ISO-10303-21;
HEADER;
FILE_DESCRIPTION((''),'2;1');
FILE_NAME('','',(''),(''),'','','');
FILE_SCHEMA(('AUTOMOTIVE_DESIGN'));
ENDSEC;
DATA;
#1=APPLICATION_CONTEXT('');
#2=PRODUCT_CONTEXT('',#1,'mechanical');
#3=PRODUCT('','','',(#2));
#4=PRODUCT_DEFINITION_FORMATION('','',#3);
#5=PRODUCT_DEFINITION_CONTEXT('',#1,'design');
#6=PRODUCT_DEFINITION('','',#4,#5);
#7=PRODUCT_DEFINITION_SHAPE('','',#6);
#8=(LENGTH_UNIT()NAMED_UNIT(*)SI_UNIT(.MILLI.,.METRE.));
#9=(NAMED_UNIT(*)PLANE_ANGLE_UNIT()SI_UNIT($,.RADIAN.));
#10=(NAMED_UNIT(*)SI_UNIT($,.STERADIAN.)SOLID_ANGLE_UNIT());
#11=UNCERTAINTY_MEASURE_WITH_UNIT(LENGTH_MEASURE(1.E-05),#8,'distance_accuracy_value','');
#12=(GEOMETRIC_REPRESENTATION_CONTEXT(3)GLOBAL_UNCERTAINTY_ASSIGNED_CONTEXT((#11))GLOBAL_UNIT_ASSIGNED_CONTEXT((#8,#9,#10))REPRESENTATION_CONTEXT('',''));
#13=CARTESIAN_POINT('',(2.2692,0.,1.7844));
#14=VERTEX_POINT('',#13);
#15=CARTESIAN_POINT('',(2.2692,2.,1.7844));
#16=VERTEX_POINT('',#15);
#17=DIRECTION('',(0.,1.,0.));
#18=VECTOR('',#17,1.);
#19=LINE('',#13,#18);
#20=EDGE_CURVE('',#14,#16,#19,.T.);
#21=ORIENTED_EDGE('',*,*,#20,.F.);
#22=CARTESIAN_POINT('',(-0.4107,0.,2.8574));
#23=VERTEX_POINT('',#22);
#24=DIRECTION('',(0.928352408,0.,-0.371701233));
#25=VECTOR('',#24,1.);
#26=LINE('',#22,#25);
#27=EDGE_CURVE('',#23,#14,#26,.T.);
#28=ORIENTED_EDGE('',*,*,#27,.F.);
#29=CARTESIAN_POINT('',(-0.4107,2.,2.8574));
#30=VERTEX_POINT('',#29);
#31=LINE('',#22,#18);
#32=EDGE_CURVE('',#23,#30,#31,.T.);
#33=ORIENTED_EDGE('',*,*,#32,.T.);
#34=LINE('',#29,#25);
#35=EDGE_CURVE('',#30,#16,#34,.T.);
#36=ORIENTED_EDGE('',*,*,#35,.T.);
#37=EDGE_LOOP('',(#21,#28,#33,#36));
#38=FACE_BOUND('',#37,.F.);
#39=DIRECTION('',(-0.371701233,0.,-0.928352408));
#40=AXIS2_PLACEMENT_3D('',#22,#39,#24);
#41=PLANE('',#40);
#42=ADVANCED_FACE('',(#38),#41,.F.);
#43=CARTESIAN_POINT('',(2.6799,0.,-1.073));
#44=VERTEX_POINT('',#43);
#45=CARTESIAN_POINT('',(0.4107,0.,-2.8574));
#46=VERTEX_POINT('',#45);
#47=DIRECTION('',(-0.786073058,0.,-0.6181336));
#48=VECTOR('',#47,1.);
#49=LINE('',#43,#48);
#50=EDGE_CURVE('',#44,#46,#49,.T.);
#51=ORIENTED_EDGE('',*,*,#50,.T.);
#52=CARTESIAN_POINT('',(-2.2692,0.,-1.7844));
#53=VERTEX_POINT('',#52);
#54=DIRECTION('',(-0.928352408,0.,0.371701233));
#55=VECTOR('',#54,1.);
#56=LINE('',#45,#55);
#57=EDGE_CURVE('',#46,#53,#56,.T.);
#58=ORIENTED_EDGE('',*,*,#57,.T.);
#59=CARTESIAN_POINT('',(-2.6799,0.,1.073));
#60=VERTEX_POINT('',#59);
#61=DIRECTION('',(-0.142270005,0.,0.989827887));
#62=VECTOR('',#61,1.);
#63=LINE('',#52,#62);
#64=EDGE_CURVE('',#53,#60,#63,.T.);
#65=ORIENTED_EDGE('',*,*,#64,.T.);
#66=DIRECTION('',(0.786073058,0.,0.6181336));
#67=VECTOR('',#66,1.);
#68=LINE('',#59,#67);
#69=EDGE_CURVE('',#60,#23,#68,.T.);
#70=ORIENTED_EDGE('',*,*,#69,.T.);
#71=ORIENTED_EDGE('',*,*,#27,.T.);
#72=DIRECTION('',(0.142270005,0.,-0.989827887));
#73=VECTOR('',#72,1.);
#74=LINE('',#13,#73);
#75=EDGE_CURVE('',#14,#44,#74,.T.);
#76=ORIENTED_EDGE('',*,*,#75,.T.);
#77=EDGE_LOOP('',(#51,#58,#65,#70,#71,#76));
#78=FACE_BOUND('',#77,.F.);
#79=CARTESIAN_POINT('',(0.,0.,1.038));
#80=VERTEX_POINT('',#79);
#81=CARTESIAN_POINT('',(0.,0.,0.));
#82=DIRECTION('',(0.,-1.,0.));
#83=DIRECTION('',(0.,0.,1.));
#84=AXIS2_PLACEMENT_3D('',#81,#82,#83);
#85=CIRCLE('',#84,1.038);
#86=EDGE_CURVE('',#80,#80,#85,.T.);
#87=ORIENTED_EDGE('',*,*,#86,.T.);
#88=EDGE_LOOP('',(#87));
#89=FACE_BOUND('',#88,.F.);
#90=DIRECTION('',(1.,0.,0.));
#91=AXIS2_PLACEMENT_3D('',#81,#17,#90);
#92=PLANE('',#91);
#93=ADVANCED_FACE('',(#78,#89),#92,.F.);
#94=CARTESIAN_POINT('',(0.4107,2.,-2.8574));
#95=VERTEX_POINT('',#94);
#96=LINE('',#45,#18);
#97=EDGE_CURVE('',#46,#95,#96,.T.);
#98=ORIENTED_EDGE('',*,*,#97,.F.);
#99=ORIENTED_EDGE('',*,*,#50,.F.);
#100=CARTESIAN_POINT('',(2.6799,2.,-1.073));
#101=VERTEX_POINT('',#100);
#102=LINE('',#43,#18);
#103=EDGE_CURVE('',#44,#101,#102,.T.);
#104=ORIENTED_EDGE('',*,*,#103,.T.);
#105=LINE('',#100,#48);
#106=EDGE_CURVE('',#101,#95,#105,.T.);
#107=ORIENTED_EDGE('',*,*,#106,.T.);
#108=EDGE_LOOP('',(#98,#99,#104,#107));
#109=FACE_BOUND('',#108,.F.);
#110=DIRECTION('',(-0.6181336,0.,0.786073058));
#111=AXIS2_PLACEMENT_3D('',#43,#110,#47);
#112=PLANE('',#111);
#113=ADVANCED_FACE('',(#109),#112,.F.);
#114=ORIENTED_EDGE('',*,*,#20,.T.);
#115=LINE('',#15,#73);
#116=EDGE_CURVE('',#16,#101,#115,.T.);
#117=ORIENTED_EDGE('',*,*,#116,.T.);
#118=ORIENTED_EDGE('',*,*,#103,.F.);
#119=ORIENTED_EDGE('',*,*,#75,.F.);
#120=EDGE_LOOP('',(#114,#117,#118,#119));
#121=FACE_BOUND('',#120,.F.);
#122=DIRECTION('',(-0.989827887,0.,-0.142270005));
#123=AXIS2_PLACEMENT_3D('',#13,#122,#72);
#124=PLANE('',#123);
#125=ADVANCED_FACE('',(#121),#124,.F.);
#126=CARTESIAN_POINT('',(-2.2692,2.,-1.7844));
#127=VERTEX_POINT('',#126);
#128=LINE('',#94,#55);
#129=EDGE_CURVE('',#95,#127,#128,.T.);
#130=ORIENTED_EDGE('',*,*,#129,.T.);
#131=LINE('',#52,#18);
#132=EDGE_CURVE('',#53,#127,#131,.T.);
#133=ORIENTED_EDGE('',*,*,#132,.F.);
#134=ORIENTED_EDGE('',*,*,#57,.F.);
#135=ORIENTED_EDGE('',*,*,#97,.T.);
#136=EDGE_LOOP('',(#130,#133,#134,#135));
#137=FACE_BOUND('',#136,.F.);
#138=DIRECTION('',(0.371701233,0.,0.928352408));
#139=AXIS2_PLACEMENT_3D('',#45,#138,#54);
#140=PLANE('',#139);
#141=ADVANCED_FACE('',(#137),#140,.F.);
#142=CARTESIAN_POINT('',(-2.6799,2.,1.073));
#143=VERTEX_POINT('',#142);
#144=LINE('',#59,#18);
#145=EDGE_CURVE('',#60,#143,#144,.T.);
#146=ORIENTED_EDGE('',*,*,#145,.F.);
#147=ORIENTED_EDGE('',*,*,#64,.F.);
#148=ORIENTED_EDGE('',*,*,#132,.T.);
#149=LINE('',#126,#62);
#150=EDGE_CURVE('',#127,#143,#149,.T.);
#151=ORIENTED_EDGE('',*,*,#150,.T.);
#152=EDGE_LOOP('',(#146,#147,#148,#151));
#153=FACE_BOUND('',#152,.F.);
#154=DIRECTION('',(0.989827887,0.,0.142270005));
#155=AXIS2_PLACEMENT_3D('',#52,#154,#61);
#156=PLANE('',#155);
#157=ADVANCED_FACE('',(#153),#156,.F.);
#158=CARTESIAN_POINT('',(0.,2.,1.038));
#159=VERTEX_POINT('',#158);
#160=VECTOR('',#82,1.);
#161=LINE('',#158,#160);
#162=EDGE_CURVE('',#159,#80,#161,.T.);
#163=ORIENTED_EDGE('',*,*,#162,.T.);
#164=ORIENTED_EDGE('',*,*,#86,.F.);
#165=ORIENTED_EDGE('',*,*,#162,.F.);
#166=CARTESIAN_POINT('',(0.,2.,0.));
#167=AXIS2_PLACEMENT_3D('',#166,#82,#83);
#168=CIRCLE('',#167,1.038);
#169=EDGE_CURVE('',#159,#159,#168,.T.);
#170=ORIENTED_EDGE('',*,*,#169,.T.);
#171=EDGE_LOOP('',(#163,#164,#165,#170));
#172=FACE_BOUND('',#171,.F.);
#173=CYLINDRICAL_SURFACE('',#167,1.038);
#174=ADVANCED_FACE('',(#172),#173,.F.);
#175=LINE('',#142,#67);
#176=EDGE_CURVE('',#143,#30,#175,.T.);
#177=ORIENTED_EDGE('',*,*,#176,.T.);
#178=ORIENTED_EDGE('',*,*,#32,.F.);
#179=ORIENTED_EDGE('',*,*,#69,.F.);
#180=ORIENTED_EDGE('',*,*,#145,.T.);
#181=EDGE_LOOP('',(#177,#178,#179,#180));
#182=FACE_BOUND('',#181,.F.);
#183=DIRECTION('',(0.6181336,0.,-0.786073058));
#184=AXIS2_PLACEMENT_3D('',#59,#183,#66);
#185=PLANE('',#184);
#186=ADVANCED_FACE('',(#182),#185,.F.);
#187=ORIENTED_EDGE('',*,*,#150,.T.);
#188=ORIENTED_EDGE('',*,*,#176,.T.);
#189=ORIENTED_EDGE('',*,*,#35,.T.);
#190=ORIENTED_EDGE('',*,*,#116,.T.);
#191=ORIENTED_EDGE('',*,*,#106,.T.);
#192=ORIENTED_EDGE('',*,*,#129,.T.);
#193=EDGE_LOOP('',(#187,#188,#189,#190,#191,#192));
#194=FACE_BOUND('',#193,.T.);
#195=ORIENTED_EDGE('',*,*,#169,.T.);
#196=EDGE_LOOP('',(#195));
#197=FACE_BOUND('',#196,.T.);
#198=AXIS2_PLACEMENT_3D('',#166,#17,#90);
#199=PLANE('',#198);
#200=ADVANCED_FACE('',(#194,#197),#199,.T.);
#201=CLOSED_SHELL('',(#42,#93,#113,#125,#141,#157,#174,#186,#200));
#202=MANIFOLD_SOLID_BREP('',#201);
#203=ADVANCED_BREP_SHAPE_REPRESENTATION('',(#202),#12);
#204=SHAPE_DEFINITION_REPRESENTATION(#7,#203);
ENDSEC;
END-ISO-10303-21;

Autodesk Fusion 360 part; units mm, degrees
sketch "Sketch1" plane through (0, 0, 0) normal (0, 1, 0) x (1, 0, 0)
  line L0 (0.4107, 2.8574) -> (-2.2692, 1.7844)
  line L1 (-2.2692, 1.7844) -> (-2.6799, -1.073)
  line L2 (-2.6799, -1.073) -> (-0.4107, -2.8574)
  line L3 (-0.4107, -2.8574) -> (2.2692, -1.7844)
  line L4 (2.2692, -1.7844) -> (2.6799, 1.073)
  line L5 (2.6799, 1.073) -> (0.4107, 2.8574)
  dimension "d1" = 2.5
extrude "Extrude1" add sketch "Sketch1" along normal blind 2
sketch "Sketch2" plane through (0, 2, 0) normal (0, 1, 0) x (-1, 0, 0)
  line L0 (-2.6799, -1.073) -> (-0.4107, -2.8574)
  line L1 (-0.4107, -2.8574) -> (2.2692, -1.7844)
  line L2 (2.2692, -1.7844) -> (2.6799, 1.073)
  line L3 (2.6799, 1.073) -> (0.4107, 2.8574)
  line L4 (0.4107, 2.8574) -> (-2.2692, 1.7844)
  line L5 (-2.2692, 1.7844) -> (-2.6799, -1.073)
hole "Hole1" at (0, 2, 0) direction (0, -1, 0) diameter 2.076 depth 3.5 tip angle 118
